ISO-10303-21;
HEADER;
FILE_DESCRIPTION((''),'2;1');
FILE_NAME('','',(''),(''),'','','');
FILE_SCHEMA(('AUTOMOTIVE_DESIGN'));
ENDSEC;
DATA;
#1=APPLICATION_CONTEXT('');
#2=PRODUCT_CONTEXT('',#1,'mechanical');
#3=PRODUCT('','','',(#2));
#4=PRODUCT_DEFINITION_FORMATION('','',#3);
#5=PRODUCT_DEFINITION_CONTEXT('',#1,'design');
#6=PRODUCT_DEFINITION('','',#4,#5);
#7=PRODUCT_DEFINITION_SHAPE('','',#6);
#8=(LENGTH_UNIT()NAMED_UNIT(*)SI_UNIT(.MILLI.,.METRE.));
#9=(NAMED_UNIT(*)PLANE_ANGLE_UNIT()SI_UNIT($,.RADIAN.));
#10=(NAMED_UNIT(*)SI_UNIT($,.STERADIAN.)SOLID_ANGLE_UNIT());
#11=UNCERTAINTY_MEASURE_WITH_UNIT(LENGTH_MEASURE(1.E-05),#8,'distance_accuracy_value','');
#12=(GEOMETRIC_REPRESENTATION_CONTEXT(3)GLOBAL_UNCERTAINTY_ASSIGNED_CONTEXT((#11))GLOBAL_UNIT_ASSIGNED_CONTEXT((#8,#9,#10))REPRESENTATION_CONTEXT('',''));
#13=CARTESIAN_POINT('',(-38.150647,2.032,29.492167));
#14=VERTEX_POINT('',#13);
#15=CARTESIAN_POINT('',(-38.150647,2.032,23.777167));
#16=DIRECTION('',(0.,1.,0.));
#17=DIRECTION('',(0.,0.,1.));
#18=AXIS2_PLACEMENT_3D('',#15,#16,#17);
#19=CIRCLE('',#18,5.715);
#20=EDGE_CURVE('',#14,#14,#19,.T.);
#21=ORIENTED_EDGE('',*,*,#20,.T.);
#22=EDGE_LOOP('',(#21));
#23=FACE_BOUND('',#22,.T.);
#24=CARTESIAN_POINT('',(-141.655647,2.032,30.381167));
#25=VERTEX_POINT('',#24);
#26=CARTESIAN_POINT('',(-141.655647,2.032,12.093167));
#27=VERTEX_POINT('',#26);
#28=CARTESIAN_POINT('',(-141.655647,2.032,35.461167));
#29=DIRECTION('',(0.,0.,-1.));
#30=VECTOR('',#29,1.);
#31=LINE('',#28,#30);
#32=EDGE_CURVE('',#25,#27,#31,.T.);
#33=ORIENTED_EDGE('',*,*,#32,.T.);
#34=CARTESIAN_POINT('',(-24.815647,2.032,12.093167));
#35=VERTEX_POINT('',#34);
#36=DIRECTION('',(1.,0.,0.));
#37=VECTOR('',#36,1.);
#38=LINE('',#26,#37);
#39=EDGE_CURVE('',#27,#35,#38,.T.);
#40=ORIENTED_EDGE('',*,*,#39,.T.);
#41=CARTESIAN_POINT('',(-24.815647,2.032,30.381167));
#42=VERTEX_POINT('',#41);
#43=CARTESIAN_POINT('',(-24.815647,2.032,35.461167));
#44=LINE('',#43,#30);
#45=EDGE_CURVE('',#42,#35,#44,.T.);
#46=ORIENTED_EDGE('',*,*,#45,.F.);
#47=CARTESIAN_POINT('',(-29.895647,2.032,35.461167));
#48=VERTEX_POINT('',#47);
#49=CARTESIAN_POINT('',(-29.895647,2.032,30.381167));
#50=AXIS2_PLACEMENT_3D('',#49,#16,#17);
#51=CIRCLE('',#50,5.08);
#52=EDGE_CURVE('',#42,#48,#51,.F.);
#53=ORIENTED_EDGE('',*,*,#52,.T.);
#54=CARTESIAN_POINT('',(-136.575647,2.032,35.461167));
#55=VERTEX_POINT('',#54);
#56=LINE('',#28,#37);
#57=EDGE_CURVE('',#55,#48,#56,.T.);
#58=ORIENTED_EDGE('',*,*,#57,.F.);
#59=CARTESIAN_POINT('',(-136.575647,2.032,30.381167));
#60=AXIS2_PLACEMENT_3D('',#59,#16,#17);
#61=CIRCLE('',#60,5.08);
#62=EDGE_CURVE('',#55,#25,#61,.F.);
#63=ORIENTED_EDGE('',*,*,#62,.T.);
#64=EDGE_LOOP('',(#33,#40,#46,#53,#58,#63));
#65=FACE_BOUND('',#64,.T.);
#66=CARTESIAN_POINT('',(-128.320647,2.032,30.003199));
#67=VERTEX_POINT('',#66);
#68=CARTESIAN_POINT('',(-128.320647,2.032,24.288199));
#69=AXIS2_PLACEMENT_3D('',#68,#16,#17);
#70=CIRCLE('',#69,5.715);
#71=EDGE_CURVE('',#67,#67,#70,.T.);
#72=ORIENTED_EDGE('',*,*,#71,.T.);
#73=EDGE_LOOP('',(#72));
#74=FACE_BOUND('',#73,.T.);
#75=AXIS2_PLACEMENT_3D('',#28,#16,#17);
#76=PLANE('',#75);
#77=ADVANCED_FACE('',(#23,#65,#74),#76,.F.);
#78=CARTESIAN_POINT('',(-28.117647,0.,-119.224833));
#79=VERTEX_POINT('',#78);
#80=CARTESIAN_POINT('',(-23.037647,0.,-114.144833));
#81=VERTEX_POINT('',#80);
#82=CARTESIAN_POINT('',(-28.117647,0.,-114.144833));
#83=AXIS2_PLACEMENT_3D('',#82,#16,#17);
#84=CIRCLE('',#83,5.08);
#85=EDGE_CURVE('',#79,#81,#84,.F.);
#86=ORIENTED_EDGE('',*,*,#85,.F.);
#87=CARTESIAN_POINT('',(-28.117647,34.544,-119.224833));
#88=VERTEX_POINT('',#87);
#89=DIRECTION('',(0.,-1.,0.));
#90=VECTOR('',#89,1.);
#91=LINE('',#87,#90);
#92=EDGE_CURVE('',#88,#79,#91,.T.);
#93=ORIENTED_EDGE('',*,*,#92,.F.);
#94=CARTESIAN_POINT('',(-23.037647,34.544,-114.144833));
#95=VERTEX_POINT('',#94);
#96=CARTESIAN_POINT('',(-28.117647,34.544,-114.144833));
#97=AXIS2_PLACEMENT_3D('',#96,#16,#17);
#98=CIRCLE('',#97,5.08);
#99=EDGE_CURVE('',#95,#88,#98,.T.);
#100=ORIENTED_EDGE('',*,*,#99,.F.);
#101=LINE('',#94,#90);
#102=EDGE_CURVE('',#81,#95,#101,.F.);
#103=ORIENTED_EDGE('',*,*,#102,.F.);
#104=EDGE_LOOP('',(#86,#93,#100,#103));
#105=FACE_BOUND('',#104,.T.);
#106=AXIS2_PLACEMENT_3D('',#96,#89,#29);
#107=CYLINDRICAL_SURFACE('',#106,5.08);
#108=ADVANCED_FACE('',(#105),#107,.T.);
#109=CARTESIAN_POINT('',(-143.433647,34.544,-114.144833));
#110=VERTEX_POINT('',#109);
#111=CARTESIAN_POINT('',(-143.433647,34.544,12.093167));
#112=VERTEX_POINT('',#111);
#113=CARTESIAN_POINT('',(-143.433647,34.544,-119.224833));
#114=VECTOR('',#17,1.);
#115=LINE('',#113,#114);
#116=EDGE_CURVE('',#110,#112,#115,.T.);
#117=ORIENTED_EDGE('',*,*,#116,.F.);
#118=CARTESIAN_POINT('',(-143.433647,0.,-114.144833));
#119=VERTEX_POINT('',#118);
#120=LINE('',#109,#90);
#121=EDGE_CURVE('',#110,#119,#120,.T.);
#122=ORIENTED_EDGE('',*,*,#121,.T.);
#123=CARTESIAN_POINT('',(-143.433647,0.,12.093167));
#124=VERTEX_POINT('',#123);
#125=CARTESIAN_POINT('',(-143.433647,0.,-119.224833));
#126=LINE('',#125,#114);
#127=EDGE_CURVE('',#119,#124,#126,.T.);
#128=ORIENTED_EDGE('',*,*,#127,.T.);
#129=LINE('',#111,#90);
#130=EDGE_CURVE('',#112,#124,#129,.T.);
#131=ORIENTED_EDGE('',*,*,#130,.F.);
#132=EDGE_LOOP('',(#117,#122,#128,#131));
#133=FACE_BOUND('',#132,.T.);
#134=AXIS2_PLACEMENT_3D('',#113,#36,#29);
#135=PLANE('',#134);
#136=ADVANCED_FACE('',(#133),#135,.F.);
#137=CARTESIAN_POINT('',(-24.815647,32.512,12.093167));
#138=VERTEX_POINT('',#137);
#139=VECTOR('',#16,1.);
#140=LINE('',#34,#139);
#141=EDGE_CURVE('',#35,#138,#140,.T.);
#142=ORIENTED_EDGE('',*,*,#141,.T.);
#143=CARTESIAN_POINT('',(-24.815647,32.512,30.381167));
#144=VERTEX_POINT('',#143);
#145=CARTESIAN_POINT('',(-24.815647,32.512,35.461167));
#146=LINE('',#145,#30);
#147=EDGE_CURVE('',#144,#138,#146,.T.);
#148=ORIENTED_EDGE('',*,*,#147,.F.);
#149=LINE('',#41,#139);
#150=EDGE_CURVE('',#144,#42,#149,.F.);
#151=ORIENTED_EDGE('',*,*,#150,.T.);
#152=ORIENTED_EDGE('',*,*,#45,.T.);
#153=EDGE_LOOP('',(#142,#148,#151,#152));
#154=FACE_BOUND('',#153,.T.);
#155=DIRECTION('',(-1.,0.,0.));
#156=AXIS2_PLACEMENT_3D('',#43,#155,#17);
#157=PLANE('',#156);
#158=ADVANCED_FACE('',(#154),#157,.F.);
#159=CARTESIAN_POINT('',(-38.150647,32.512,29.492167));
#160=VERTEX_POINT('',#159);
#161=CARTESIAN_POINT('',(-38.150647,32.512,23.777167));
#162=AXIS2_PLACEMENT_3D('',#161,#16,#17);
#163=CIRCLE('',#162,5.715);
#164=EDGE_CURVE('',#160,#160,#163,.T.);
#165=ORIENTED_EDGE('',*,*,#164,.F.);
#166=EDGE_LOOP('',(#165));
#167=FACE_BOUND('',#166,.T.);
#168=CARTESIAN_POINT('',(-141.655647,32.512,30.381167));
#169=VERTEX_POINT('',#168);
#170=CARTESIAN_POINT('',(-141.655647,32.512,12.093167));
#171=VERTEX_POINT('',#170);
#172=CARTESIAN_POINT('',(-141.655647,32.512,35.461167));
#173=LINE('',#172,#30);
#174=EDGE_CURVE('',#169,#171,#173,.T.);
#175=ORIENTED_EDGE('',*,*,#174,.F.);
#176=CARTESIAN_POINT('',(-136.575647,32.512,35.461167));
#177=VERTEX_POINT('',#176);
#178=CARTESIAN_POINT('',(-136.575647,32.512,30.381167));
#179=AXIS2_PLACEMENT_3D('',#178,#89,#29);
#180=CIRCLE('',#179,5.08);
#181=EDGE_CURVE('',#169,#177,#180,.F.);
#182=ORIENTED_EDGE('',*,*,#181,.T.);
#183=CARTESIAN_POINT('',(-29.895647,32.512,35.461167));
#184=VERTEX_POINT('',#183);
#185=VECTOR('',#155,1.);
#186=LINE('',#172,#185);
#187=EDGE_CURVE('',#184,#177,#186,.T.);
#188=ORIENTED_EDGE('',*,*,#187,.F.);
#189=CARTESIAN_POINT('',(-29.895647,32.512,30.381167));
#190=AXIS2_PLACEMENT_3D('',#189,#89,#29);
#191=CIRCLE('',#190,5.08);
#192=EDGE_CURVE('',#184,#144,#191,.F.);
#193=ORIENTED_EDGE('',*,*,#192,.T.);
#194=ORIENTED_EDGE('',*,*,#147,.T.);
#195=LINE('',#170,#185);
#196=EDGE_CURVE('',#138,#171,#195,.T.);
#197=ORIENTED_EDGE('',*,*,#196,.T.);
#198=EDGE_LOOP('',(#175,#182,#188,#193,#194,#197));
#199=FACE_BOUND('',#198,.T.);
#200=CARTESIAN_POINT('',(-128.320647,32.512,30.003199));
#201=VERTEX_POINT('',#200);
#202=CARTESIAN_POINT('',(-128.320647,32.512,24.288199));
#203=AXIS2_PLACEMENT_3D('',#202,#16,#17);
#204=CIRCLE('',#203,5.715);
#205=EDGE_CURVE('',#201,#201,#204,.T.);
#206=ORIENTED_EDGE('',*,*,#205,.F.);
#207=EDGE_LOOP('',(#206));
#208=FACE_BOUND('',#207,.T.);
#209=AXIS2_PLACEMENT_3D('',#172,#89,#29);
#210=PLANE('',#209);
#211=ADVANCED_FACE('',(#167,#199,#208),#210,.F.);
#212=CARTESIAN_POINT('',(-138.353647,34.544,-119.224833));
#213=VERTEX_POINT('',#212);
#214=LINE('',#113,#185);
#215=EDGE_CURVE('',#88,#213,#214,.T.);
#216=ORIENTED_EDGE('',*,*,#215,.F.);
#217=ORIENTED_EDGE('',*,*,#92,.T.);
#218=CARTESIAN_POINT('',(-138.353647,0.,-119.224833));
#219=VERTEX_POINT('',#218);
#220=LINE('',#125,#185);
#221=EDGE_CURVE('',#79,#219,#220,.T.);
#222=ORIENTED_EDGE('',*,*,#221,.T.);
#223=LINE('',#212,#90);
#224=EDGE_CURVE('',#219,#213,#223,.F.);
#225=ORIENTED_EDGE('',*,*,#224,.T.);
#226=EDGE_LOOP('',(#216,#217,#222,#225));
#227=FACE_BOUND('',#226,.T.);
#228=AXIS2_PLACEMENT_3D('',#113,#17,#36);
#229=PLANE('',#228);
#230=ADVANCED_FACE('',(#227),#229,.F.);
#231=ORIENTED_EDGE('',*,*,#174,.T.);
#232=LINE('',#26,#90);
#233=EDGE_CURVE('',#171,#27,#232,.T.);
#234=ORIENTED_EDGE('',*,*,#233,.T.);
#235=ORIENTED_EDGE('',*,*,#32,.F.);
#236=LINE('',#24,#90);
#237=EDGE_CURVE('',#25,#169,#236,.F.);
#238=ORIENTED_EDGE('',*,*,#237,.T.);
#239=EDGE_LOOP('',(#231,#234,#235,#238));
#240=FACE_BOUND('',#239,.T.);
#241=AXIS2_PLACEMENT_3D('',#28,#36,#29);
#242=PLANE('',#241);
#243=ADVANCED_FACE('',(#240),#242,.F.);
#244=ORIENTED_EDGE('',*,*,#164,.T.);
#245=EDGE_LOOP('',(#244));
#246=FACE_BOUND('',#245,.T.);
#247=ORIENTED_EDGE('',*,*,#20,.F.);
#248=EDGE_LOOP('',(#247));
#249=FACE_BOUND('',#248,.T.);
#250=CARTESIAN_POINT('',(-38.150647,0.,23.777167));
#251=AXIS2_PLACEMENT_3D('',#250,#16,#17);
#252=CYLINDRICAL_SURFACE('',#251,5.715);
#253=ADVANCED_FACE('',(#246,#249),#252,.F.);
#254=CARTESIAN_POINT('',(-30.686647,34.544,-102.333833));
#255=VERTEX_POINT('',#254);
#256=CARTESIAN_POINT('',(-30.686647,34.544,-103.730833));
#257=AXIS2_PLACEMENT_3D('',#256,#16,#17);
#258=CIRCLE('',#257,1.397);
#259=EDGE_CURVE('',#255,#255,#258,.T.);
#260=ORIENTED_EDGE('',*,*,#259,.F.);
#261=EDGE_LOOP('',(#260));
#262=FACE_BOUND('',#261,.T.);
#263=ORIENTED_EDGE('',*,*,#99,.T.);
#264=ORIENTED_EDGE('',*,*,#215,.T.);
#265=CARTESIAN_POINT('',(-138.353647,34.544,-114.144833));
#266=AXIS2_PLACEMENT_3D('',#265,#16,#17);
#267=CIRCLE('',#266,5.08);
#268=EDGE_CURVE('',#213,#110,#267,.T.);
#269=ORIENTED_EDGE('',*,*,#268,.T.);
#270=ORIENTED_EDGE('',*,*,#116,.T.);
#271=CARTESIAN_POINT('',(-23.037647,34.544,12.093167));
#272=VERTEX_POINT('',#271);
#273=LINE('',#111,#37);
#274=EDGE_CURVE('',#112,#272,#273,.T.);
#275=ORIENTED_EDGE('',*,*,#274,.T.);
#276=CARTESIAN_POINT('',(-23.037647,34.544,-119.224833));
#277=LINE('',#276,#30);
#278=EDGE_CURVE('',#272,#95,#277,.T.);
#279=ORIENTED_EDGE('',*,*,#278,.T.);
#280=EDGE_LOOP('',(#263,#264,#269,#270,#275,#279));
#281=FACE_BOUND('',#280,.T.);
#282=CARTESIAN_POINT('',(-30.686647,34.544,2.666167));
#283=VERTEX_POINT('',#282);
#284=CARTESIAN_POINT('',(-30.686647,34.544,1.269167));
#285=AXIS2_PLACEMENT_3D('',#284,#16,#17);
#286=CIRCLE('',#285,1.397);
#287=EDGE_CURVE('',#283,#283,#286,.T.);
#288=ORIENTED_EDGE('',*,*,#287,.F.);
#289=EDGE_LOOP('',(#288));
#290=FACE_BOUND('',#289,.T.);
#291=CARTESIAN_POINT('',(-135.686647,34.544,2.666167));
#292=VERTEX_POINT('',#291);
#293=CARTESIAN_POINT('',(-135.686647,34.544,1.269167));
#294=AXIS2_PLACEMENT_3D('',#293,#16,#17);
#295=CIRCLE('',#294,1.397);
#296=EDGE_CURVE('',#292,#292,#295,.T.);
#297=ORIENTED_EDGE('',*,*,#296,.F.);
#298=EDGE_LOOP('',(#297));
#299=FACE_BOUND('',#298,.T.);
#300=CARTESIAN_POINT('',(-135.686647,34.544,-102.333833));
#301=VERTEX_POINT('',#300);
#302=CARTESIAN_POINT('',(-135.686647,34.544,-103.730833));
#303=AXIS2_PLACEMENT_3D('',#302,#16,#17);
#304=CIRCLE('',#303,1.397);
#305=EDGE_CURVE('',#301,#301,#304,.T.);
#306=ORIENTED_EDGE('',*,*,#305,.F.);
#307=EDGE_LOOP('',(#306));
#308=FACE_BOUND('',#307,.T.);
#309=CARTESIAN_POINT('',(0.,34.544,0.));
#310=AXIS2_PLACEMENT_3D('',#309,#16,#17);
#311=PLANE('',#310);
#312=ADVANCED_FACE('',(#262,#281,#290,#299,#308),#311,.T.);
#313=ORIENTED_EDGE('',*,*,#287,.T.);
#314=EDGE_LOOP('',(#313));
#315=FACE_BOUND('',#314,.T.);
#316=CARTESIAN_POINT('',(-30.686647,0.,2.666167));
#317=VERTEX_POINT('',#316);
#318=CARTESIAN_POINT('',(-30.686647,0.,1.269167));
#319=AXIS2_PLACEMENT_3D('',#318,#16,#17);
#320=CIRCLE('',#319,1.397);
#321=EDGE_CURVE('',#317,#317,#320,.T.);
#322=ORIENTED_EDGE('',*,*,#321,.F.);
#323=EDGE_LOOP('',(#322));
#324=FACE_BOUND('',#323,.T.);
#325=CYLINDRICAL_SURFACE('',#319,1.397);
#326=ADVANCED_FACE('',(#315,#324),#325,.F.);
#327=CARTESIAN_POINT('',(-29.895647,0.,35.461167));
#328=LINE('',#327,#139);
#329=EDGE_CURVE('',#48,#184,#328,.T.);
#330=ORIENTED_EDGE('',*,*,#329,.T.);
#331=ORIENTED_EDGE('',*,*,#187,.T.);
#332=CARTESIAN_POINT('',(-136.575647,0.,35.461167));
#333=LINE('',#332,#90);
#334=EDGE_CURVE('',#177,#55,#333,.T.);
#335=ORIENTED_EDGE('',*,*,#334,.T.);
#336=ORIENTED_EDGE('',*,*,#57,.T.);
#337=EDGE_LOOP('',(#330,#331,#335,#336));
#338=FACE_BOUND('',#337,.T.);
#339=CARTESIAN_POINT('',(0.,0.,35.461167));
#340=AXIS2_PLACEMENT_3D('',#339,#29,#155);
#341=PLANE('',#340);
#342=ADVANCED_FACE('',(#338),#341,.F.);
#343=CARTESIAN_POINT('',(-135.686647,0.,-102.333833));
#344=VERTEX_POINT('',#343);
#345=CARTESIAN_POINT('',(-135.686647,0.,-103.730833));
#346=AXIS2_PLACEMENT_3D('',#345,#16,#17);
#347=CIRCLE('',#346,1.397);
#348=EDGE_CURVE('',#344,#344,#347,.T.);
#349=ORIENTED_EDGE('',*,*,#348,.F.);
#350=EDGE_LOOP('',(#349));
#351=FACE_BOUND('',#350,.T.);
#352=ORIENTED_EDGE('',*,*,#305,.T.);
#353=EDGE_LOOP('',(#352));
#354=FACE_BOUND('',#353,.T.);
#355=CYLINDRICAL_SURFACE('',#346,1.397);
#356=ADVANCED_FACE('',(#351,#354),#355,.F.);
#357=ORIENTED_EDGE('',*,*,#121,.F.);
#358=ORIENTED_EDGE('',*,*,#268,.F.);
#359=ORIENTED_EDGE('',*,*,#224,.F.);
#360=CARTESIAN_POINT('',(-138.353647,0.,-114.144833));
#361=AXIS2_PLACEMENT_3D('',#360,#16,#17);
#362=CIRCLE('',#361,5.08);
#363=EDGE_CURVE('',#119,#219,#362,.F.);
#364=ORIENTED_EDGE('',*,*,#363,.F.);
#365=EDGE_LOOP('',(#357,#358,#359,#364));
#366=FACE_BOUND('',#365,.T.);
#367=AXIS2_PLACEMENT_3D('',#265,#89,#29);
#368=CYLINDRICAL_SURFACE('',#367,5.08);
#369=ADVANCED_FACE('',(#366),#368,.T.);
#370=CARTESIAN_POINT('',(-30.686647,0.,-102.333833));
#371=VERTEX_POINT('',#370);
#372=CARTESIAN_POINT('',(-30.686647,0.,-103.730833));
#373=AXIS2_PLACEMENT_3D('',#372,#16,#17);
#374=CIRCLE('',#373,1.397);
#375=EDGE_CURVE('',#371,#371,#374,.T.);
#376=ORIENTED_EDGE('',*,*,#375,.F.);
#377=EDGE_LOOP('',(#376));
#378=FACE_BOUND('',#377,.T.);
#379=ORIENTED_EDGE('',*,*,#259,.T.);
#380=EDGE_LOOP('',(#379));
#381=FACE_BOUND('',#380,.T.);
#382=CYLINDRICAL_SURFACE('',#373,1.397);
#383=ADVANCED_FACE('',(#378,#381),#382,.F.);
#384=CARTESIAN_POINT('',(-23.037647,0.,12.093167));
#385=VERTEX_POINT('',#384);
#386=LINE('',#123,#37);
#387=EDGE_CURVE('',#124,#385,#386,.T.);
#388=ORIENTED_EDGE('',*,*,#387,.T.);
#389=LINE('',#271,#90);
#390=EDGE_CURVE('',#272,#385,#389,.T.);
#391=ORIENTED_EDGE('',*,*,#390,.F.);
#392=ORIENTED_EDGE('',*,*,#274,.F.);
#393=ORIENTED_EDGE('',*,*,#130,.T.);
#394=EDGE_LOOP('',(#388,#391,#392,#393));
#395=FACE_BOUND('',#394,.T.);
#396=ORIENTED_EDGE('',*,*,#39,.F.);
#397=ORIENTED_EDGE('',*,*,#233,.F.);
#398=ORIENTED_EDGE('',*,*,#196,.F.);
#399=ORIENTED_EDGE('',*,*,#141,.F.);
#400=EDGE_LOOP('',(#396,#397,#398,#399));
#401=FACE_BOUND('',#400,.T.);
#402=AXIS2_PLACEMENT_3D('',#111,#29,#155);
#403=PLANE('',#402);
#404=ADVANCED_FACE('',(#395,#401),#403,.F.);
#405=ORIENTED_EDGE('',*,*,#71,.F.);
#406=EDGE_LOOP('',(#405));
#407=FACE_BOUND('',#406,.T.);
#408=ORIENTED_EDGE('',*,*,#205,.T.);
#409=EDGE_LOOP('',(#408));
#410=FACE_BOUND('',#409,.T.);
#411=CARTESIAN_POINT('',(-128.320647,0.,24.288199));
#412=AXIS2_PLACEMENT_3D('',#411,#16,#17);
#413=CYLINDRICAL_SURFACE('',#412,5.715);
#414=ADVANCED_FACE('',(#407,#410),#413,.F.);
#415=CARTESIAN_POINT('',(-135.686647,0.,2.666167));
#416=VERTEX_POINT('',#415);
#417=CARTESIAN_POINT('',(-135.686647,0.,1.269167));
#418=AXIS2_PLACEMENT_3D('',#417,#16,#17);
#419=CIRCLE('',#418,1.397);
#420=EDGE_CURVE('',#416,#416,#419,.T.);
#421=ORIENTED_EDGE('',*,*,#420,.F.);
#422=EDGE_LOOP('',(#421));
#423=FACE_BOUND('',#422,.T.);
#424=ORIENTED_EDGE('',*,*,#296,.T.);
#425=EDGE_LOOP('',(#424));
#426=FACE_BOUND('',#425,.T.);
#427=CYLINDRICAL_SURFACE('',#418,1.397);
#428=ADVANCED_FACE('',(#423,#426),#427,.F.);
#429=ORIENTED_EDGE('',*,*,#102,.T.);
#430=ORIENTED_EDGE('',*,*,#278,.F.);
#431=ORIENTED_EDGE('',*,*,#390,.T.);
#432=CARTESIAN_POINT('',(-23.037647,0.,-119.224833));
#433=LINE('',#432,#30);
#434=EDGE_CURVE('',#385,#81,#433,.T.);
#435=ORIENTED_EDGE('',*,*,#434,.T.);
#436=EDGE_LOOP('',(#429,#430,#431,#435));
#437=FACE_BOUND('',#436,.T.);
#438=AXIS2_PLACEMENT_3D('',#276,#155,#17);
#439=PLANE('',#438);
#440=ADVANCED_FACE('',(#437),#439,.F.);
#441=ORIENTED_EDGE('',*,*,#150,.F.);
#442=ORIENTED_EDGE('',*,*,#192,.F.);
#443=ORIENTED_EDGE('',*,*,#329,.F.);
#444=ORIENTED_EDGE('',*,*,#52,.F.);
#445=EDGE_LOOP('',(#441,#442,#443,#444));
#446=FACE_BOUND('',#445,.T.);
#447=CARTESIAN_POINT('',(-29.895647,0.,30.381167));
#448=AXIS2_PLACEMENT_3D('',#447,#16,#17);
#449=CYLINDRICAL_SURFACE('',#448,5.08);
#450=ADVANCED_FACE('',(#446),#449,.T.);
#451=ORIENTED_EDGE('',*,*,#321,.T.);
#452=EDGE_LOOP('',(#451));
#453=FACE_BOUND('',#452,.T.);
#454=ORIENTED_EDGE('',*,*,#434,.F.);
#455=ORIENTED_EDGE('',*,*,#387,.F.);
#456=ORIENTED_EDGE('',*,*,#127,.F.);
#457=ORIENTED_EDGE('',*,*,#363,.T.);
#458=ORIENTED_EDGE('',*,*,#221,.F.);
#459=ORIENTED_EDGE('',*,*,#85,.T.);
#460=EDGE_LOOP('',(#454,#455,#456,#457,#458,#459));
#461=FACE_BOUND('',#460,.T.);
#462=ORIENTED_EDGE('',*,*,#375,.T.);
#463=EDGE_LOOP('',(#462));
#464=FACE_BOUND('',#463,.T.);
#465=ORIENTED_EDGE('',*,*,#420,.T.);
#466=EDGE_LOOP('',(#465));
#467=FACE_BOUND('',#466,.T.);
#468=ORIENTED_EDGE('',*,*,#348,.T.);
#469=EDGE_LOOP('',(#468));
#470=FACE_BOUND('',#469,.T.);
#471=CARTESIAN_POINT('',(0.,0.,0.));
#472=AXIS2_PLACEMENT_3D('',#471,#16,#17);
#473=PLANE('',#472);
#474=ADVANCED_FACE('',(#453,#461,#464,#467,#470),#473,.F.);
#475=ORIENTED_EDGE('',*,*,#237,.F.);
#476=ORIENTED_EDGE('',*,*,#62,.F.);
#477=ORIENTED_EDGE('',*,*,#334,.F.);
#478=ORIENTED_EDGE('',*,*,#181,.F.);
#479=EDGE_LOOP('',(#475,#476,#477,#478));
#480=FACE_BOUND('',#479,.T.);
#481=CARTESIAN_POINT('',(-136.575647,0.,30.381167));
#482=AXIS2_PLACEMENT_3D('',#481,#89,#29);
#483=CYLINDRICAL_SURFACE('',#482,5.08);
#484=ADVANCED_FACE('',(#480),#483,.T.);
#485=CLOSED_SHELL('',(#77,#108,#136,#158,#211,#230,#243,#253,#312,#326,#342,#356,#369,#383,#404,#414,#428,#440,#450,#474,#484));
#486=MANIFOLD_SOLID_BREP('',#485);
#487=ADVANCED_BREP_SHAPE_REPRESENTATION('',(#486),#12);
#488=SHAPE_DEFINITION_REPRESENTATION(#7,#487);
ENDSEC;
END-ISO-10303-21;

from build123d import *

# Parameters (mm, degrees)
SKETCH1_W           = 120.396
SKETCH1_H           = 131.318
BOSS_EXTRUDE1_DEPTH = 34.544
SKETCH2_R           = 1.397
CUT_EXTRUDE1_DEPTH  = 35.544
SKETCH3_W           = 116.84
SKETCH3_H           = 30.48
BOSS_EXTRUDE2_DEPTH = 23.368
SKETCH4_R           = 5.715
CUT_EXTRUDE2_DEPTH  = 33.512
FILLET1_R           = 5.08


with BuildPart() as part:
    # Sketch1 → Boss-Extrude1 (new body)
    with BuildSketch(Plane(origin=(0, 0, 0), x_dir=(1, 0, 0), z_dir=(0, 1, 0))):
        with Locations((-83.235647386, 53.565832685)):
            Rectangle(SKETCH1_W, SKETCH1_H)
    extrude(amount=BOSS_EXTRUDE1_DEPTH)

    # Sketch2 → Cut-Extrude1 (cut, through all)
    with BuildSketch(Plane(origin=(0, 34.544, 0), x_dir=(1, 0, 0), z_dir=(0, 1, 0))):
        with Locations((-135.686647386, 103.730832685)):
            Circle(SKETCH2_R)
        with Locations((-30.686647386, 103.730832685)):
            Circle(SKETCH2_R)
        with Locations((-135.686647386, -1.269167315)):
            Circle(SKETCH2_R)
        with Locations((-30.686647328, -1.269167315)):
            Circle(SKETCH2_R)
    extrude(amount=-CUT_EXTRUDE1_DEPTH, mode=Mode.SUBTRACT)

    # Sketch3 → Boss-Extrude2 (add)
    with BuildSketch(Plane.XY.offset(12.093167315)):
        with Locations((-83.235647386, 17.272)):
            Rectangle(SKETCH3_W, SKETCH3_H)
    extrude(amount=BOSS_EXTRUDE2_DEPTH)

    # Sketch4 → Cut-Extrude2 (cut, through all)
    with BuildSketch(Plane(origin=(0, 32.512, 0), x_dir=(1, 0, 0), z_dir=(0, 1, 0))):
        with Locations((-128.320647386, -24.288198654)):
            Circle(SKETCH4_R)
        with Locations((-38.150647386, -23.777167315)):
            Circle(SKETCH4_R)
    extrude(amount=-CUT_EXTRUDE2_DEPTH, mode=Mode.SUBTRACT)

    # Fillet1
    fillet1_edges = [part.edges().sort_by_distance(p)[0] for p in [
        (-24.815647386, 17.272, 35.461167315),
        (-141.655647386, 17.272, 35.461167315),
        (-143.433647386, 17.272, -119.224832685),
        (-23.037647386, 17.272, -119.224832685),
    ]]
    fillet(fillet1_edges, radius=FILLET1_R)


solid = part.part
